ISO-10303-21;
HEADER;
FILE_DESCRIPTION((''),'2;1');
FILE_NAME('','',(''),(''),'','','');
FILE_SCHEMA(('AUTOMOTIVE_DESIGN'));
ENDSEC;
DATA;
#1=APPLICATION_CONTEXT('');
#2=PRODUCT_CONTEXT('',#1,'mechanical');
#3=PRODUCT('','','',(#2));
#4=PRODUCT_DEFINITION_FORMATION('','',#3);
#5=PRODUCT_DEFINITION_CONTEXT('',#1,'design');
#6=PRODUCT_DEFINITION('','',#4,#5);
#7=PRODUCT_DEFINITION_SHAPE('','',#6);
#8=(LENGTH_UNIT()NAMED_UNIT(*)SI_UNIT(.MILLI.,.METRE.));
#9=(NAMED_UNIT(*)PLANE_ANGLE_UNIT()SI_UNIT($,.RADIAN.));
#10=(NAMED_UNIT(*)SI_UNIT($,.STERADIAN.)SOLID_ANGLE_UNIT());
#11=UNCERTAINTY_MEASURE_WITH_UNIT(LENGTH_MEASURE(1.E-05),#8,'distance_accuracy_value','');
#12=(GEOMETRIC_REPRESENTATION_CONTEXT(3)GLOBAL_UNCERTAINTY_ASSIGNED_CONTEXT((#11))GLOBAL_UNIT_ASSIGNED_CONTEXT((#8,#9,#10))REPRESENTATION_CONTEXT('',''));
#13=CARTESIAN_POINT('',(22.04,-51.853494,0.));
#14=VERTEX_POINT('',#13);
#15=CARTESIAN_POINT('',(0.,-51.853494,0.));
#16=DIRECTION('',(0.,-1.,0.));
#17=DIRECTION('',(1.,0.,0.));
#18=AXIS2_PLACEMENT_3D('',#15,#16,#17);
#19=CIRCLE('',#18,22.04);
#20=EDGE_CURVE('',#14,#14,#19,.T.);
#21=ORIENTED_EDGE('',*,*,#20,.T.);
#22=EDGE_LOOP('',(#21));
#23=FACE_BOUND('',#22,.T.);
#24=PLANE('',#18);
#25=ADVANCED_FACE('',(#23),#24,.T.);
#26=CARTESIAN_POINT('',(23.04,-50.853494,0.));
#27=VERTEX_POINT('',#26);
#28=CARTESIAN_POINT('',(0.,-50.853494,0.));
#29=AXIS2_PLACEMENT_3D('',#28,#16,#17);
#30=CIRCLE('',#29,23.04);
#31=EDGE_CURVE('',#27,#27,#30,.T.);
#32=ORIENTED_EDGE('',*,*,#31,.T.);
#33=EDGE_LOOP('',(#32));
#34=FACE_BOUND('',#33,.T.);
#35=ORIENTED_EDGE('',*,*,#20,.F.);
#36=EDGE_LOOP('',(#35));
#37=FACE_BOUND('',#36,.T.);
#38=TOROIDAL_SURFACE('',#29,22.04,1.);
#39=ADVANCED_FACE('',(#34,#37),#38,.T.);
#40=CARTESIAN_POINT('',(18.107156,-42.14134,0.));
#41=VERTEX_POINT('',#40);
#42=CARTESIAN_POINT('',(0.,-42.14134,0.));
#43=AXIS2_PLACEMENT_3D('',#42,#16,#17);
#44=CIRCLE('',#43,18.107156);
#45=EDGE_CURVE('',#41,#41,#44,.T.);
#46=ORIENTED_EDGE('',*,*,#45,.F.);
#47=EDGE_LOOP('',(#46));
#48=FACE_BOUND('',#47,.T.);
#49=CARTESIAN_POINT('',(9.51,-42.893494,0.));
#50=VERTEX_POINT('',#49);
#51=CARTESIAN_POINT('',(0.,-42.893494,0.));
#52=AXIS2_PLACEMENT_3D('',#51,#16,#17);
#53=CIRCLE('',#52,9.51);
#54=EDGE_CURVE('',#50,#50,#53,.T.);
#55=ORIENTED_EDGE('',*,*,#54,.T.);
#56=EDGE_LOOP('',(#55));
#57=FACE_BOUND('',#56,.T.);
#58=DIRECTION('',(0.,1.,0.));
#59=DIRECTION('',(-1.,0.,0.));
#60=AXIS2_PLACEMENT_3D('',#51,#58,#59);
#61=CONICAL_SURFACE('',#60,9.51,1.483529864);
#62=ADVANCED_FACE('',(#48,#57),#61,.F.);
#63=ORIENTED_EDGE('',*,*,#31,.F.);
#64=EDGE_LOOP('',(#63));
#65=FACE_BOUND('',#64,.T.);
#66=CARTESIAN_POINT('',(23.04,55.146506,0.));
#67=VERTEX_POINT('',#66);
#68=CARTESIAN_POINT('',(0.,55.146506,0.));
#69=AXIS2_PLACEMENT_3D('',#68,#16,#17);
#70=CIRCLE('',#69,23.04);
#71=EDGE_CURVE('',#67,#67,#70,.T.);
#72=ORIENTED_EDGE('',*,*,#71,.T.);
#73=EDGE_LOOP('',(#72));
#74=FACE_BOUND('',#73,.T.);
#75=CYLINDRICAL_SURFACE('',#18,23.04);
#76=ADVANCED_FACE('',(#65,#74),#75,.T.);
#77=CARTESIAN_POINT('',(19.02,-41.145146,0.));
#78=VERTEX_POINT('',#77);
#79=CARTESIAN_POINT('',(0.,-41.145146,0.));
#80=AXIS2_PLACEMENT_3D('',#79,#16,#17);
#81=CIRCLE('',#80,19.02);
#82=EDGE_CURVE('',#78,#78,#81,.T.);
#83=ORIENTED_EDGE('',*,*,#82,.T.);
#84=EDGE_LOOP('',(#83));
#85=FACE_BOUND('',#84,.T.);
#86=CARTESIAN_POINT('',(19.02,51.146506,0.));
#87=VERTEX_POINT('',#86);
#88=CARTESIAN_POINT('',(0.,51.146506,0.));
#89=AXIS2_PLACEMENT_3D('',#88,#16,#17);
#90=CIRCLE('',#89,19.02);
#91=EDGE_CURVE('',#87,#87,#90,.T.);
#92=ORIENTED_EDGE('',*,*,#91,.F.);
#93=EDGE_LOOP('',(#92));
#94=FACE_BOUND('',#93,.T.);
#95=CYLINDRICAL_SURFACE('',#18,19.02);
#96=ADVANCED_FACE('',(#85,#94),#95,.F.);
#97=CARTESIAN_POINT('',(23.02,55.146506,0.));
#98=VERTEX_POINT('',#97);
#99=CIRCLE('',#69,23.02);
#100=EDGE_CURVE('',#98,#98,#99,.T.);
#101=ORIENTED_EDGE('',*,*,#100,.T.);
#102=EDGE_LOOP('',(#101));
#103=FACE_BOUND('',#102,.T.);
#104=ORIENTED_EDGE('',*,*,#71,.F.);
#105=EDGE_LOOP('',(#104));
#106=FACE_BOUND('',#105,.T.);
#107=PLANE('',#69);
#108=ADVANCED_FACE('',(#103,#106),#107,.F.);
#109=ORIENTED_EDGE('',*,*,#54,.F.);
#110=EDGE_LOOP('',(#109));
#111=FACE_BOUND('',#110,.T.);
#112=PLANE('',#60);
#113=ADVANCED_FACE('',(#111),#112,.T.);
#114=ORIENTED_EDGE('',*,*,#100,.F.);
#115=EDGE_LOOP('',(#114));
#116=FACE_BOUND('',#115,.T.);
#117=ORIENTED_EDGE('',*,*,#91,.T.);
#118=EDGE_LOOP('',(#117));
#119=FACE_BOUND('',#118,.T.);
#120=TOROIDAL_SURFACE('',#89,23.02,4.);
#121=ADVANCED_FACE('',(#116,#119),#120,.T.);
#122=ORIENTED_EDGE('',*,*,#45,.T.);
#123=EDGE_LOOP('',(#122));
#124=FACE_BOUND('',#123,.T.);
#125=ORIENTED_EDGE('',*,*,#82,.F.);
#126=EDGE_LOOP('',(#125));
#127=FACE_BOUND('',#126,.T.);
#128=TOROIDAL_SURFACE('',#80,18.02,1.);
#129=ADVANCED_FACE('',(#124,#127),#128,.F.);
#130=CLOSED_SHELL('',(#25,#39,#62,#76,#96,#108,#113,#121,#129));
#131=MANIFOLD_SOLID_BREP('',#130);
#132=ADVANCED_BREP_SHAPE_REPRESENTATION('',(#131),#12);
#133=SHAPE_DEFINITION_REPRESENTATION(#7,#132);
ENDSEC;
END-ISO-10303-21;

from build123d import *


with BuildPart() as part:
    # Szkic1 → Obrót1 (revolve)
    with BuildSketch(Plane.XY, mode=Mode.PRIVATE) as obr_t1_sk:
        with BuildLine():
            Line((-23.04, -50.853493976), (-23.04, 55.146506024))
            Line((-23.04, 55.146506024), (-23.02, 55.146506024))
            ThreePointArc((-23.02, 55.146506024), (-20.191572875, 53.974933149), (-19.02, 51.146506024))
            Line((-19.02, 51.146506024), (-19.02, -41.145145612))
            ThreePointArc((-19.02, -41.145145612), (-18.757277337, -41.820735819), (-18.107155743, -42.14134031))
            Line((-18.107155743, -42.14134031), (-9.51, -42.893493976))
            Line((-9.51, -42.893493976), (0, -42.893493976))
            Line((0, -42.893493976), (0, -51.853493976))
            Line((0, -51.853493976), (-22.04, -51.853493976))
            ThreePointArc((-22.04, -51.853493976), (-22.747106781, -51.560600757), (-23.04, -50.853493976))
        make_face()
    revolve(obr_t1_sk.sketch.rotate(Axis((0, -51.853493976, 0), (0, 1, 0)), 180), axis=Axis((0, -51.853493976, 0), (0, 1, 0)))


solid = part.part
